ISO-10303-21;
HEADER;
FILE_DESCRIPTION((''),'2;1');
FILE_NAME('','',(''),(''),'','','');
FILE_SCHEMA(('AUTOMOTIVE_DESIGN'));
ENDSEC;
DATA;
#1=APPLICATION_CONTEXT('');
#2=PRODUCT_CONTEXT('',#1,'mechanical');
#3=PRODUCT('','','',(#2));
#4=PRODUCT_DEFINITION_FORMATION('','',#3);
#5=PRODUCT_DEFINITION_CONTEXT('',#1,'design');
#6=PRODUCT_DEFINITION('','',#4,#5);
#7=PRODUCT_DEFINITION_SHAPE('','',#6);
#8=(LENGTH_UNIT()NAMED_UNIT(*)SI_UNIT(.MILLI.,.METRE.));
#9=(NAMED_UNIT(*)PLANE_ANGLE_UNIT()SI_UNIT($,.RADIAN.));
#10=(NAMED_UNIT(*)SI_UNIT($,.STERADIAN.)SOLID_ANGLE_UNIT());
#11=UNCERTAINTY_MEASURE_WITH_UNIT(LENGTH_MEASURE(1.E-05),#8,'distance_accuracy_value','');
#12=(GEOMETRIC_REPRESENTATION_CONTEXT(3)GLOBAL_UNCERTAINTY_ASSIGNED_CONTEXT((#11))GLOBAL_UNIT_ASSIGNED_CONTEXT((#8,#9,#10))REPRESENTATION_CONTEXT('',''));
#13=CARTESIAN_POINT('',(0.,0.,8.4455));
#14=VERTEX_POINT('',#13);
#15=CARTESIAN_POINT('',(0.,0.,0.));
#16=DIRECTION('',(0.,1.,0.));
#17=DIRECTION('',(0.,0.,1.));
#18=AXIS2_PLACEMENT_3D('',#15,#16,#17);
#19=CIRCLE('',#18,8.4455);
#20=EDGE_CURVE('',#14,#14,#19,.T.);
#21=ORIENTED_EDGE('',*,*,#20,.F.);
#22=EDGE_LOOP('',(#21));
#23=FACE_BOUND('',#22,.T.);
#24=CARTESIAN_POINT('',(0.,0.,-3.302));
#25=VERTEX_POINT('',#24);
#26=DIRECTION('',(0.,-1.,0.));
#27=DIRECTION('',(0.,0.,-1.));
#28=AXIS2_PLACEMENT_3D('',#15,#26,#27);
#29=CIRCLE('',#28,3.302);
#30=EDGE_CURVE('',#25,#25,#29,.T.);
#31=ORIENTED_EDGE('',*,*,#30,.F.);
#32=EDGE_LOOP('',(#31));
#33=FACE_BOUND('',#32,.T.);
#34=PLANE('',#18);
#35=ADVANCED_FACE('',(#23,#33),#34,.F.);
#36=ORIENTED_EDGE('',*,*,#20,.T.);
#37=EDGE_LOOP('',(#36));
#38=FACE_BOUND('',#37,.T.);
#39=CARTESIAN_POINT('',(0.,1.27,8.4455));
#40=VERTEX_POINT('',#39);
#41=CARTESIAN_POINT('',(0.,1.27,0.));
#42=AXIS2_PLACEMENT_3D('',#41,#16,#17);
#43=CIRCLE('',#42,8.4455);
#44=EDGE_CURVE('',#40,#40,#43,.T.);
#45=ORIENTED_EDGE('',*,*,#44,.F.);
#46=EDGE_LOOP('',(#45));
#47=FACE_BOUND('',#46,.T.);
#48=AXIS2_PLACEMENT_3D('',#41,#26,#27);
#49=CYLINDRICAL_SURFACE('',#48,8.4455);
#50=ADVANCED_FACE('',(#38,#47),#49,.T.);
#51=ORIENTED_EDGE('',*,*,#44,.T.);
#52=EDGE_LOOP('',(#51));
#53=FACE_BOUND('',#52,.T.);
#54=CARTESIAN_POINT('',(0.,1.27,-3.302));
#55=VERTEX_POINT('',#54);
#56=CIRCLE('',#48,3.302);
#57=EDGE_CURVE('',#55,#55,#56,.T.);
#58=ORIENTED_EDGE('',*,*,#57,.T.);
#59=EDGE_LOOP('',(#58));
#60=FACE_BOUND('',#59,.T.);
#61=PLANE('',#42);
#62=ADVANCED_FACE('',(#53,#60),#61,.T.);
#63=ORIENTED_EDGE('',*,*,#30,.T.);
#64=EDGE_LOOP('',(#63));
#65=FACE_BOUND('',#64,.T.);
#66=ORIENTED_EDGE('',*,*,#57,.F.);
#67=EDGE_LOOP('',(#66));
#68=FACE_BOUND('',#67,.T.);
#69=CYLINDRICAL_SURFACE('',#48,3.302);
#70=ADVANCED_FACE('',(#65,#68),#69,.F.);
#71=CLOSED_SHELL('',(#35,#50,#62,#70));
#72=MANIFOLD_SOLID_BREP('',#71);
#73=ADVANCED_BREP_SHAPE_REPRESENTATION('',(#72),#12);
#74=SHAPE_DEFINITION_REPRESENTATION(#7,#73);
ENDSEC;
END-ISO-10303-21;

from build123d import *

# Parameters (mm, degrees)
SKETCH1_R           = 8.4455
BOSS_EXTRUDE1_DEPTH = 1.27
SKETCH2_R           = 3.302
CUT_EXTRUDE1_DEPTH  = 2.27


with BuildPart() as part:
    # Sketch1 → Boss-Extrude1 (new body)
    with BuildSketch(Plane(origin=(0, 0, 0), x_dir=(1, 0, 0), z_dir=(0, 1, 0))):
        Circle(SKETCH1_R)
    extrude(amount=BOSS_EXTRUDE1_DEPTH)

    # Sketch2 → Cut-Extrude1 (cut, through all)
    with BuildSketch(Plane(origin=(0, 0, 0), x_dir=(-1, 0, 0), z_dir=(0, -1, 0))):
        Circle(SKETCH2_R)
    extrude(amount=-CUT_EXTRUDE1_DEPTH, mode=Mode.SUBTRACT)


solid = part.part
